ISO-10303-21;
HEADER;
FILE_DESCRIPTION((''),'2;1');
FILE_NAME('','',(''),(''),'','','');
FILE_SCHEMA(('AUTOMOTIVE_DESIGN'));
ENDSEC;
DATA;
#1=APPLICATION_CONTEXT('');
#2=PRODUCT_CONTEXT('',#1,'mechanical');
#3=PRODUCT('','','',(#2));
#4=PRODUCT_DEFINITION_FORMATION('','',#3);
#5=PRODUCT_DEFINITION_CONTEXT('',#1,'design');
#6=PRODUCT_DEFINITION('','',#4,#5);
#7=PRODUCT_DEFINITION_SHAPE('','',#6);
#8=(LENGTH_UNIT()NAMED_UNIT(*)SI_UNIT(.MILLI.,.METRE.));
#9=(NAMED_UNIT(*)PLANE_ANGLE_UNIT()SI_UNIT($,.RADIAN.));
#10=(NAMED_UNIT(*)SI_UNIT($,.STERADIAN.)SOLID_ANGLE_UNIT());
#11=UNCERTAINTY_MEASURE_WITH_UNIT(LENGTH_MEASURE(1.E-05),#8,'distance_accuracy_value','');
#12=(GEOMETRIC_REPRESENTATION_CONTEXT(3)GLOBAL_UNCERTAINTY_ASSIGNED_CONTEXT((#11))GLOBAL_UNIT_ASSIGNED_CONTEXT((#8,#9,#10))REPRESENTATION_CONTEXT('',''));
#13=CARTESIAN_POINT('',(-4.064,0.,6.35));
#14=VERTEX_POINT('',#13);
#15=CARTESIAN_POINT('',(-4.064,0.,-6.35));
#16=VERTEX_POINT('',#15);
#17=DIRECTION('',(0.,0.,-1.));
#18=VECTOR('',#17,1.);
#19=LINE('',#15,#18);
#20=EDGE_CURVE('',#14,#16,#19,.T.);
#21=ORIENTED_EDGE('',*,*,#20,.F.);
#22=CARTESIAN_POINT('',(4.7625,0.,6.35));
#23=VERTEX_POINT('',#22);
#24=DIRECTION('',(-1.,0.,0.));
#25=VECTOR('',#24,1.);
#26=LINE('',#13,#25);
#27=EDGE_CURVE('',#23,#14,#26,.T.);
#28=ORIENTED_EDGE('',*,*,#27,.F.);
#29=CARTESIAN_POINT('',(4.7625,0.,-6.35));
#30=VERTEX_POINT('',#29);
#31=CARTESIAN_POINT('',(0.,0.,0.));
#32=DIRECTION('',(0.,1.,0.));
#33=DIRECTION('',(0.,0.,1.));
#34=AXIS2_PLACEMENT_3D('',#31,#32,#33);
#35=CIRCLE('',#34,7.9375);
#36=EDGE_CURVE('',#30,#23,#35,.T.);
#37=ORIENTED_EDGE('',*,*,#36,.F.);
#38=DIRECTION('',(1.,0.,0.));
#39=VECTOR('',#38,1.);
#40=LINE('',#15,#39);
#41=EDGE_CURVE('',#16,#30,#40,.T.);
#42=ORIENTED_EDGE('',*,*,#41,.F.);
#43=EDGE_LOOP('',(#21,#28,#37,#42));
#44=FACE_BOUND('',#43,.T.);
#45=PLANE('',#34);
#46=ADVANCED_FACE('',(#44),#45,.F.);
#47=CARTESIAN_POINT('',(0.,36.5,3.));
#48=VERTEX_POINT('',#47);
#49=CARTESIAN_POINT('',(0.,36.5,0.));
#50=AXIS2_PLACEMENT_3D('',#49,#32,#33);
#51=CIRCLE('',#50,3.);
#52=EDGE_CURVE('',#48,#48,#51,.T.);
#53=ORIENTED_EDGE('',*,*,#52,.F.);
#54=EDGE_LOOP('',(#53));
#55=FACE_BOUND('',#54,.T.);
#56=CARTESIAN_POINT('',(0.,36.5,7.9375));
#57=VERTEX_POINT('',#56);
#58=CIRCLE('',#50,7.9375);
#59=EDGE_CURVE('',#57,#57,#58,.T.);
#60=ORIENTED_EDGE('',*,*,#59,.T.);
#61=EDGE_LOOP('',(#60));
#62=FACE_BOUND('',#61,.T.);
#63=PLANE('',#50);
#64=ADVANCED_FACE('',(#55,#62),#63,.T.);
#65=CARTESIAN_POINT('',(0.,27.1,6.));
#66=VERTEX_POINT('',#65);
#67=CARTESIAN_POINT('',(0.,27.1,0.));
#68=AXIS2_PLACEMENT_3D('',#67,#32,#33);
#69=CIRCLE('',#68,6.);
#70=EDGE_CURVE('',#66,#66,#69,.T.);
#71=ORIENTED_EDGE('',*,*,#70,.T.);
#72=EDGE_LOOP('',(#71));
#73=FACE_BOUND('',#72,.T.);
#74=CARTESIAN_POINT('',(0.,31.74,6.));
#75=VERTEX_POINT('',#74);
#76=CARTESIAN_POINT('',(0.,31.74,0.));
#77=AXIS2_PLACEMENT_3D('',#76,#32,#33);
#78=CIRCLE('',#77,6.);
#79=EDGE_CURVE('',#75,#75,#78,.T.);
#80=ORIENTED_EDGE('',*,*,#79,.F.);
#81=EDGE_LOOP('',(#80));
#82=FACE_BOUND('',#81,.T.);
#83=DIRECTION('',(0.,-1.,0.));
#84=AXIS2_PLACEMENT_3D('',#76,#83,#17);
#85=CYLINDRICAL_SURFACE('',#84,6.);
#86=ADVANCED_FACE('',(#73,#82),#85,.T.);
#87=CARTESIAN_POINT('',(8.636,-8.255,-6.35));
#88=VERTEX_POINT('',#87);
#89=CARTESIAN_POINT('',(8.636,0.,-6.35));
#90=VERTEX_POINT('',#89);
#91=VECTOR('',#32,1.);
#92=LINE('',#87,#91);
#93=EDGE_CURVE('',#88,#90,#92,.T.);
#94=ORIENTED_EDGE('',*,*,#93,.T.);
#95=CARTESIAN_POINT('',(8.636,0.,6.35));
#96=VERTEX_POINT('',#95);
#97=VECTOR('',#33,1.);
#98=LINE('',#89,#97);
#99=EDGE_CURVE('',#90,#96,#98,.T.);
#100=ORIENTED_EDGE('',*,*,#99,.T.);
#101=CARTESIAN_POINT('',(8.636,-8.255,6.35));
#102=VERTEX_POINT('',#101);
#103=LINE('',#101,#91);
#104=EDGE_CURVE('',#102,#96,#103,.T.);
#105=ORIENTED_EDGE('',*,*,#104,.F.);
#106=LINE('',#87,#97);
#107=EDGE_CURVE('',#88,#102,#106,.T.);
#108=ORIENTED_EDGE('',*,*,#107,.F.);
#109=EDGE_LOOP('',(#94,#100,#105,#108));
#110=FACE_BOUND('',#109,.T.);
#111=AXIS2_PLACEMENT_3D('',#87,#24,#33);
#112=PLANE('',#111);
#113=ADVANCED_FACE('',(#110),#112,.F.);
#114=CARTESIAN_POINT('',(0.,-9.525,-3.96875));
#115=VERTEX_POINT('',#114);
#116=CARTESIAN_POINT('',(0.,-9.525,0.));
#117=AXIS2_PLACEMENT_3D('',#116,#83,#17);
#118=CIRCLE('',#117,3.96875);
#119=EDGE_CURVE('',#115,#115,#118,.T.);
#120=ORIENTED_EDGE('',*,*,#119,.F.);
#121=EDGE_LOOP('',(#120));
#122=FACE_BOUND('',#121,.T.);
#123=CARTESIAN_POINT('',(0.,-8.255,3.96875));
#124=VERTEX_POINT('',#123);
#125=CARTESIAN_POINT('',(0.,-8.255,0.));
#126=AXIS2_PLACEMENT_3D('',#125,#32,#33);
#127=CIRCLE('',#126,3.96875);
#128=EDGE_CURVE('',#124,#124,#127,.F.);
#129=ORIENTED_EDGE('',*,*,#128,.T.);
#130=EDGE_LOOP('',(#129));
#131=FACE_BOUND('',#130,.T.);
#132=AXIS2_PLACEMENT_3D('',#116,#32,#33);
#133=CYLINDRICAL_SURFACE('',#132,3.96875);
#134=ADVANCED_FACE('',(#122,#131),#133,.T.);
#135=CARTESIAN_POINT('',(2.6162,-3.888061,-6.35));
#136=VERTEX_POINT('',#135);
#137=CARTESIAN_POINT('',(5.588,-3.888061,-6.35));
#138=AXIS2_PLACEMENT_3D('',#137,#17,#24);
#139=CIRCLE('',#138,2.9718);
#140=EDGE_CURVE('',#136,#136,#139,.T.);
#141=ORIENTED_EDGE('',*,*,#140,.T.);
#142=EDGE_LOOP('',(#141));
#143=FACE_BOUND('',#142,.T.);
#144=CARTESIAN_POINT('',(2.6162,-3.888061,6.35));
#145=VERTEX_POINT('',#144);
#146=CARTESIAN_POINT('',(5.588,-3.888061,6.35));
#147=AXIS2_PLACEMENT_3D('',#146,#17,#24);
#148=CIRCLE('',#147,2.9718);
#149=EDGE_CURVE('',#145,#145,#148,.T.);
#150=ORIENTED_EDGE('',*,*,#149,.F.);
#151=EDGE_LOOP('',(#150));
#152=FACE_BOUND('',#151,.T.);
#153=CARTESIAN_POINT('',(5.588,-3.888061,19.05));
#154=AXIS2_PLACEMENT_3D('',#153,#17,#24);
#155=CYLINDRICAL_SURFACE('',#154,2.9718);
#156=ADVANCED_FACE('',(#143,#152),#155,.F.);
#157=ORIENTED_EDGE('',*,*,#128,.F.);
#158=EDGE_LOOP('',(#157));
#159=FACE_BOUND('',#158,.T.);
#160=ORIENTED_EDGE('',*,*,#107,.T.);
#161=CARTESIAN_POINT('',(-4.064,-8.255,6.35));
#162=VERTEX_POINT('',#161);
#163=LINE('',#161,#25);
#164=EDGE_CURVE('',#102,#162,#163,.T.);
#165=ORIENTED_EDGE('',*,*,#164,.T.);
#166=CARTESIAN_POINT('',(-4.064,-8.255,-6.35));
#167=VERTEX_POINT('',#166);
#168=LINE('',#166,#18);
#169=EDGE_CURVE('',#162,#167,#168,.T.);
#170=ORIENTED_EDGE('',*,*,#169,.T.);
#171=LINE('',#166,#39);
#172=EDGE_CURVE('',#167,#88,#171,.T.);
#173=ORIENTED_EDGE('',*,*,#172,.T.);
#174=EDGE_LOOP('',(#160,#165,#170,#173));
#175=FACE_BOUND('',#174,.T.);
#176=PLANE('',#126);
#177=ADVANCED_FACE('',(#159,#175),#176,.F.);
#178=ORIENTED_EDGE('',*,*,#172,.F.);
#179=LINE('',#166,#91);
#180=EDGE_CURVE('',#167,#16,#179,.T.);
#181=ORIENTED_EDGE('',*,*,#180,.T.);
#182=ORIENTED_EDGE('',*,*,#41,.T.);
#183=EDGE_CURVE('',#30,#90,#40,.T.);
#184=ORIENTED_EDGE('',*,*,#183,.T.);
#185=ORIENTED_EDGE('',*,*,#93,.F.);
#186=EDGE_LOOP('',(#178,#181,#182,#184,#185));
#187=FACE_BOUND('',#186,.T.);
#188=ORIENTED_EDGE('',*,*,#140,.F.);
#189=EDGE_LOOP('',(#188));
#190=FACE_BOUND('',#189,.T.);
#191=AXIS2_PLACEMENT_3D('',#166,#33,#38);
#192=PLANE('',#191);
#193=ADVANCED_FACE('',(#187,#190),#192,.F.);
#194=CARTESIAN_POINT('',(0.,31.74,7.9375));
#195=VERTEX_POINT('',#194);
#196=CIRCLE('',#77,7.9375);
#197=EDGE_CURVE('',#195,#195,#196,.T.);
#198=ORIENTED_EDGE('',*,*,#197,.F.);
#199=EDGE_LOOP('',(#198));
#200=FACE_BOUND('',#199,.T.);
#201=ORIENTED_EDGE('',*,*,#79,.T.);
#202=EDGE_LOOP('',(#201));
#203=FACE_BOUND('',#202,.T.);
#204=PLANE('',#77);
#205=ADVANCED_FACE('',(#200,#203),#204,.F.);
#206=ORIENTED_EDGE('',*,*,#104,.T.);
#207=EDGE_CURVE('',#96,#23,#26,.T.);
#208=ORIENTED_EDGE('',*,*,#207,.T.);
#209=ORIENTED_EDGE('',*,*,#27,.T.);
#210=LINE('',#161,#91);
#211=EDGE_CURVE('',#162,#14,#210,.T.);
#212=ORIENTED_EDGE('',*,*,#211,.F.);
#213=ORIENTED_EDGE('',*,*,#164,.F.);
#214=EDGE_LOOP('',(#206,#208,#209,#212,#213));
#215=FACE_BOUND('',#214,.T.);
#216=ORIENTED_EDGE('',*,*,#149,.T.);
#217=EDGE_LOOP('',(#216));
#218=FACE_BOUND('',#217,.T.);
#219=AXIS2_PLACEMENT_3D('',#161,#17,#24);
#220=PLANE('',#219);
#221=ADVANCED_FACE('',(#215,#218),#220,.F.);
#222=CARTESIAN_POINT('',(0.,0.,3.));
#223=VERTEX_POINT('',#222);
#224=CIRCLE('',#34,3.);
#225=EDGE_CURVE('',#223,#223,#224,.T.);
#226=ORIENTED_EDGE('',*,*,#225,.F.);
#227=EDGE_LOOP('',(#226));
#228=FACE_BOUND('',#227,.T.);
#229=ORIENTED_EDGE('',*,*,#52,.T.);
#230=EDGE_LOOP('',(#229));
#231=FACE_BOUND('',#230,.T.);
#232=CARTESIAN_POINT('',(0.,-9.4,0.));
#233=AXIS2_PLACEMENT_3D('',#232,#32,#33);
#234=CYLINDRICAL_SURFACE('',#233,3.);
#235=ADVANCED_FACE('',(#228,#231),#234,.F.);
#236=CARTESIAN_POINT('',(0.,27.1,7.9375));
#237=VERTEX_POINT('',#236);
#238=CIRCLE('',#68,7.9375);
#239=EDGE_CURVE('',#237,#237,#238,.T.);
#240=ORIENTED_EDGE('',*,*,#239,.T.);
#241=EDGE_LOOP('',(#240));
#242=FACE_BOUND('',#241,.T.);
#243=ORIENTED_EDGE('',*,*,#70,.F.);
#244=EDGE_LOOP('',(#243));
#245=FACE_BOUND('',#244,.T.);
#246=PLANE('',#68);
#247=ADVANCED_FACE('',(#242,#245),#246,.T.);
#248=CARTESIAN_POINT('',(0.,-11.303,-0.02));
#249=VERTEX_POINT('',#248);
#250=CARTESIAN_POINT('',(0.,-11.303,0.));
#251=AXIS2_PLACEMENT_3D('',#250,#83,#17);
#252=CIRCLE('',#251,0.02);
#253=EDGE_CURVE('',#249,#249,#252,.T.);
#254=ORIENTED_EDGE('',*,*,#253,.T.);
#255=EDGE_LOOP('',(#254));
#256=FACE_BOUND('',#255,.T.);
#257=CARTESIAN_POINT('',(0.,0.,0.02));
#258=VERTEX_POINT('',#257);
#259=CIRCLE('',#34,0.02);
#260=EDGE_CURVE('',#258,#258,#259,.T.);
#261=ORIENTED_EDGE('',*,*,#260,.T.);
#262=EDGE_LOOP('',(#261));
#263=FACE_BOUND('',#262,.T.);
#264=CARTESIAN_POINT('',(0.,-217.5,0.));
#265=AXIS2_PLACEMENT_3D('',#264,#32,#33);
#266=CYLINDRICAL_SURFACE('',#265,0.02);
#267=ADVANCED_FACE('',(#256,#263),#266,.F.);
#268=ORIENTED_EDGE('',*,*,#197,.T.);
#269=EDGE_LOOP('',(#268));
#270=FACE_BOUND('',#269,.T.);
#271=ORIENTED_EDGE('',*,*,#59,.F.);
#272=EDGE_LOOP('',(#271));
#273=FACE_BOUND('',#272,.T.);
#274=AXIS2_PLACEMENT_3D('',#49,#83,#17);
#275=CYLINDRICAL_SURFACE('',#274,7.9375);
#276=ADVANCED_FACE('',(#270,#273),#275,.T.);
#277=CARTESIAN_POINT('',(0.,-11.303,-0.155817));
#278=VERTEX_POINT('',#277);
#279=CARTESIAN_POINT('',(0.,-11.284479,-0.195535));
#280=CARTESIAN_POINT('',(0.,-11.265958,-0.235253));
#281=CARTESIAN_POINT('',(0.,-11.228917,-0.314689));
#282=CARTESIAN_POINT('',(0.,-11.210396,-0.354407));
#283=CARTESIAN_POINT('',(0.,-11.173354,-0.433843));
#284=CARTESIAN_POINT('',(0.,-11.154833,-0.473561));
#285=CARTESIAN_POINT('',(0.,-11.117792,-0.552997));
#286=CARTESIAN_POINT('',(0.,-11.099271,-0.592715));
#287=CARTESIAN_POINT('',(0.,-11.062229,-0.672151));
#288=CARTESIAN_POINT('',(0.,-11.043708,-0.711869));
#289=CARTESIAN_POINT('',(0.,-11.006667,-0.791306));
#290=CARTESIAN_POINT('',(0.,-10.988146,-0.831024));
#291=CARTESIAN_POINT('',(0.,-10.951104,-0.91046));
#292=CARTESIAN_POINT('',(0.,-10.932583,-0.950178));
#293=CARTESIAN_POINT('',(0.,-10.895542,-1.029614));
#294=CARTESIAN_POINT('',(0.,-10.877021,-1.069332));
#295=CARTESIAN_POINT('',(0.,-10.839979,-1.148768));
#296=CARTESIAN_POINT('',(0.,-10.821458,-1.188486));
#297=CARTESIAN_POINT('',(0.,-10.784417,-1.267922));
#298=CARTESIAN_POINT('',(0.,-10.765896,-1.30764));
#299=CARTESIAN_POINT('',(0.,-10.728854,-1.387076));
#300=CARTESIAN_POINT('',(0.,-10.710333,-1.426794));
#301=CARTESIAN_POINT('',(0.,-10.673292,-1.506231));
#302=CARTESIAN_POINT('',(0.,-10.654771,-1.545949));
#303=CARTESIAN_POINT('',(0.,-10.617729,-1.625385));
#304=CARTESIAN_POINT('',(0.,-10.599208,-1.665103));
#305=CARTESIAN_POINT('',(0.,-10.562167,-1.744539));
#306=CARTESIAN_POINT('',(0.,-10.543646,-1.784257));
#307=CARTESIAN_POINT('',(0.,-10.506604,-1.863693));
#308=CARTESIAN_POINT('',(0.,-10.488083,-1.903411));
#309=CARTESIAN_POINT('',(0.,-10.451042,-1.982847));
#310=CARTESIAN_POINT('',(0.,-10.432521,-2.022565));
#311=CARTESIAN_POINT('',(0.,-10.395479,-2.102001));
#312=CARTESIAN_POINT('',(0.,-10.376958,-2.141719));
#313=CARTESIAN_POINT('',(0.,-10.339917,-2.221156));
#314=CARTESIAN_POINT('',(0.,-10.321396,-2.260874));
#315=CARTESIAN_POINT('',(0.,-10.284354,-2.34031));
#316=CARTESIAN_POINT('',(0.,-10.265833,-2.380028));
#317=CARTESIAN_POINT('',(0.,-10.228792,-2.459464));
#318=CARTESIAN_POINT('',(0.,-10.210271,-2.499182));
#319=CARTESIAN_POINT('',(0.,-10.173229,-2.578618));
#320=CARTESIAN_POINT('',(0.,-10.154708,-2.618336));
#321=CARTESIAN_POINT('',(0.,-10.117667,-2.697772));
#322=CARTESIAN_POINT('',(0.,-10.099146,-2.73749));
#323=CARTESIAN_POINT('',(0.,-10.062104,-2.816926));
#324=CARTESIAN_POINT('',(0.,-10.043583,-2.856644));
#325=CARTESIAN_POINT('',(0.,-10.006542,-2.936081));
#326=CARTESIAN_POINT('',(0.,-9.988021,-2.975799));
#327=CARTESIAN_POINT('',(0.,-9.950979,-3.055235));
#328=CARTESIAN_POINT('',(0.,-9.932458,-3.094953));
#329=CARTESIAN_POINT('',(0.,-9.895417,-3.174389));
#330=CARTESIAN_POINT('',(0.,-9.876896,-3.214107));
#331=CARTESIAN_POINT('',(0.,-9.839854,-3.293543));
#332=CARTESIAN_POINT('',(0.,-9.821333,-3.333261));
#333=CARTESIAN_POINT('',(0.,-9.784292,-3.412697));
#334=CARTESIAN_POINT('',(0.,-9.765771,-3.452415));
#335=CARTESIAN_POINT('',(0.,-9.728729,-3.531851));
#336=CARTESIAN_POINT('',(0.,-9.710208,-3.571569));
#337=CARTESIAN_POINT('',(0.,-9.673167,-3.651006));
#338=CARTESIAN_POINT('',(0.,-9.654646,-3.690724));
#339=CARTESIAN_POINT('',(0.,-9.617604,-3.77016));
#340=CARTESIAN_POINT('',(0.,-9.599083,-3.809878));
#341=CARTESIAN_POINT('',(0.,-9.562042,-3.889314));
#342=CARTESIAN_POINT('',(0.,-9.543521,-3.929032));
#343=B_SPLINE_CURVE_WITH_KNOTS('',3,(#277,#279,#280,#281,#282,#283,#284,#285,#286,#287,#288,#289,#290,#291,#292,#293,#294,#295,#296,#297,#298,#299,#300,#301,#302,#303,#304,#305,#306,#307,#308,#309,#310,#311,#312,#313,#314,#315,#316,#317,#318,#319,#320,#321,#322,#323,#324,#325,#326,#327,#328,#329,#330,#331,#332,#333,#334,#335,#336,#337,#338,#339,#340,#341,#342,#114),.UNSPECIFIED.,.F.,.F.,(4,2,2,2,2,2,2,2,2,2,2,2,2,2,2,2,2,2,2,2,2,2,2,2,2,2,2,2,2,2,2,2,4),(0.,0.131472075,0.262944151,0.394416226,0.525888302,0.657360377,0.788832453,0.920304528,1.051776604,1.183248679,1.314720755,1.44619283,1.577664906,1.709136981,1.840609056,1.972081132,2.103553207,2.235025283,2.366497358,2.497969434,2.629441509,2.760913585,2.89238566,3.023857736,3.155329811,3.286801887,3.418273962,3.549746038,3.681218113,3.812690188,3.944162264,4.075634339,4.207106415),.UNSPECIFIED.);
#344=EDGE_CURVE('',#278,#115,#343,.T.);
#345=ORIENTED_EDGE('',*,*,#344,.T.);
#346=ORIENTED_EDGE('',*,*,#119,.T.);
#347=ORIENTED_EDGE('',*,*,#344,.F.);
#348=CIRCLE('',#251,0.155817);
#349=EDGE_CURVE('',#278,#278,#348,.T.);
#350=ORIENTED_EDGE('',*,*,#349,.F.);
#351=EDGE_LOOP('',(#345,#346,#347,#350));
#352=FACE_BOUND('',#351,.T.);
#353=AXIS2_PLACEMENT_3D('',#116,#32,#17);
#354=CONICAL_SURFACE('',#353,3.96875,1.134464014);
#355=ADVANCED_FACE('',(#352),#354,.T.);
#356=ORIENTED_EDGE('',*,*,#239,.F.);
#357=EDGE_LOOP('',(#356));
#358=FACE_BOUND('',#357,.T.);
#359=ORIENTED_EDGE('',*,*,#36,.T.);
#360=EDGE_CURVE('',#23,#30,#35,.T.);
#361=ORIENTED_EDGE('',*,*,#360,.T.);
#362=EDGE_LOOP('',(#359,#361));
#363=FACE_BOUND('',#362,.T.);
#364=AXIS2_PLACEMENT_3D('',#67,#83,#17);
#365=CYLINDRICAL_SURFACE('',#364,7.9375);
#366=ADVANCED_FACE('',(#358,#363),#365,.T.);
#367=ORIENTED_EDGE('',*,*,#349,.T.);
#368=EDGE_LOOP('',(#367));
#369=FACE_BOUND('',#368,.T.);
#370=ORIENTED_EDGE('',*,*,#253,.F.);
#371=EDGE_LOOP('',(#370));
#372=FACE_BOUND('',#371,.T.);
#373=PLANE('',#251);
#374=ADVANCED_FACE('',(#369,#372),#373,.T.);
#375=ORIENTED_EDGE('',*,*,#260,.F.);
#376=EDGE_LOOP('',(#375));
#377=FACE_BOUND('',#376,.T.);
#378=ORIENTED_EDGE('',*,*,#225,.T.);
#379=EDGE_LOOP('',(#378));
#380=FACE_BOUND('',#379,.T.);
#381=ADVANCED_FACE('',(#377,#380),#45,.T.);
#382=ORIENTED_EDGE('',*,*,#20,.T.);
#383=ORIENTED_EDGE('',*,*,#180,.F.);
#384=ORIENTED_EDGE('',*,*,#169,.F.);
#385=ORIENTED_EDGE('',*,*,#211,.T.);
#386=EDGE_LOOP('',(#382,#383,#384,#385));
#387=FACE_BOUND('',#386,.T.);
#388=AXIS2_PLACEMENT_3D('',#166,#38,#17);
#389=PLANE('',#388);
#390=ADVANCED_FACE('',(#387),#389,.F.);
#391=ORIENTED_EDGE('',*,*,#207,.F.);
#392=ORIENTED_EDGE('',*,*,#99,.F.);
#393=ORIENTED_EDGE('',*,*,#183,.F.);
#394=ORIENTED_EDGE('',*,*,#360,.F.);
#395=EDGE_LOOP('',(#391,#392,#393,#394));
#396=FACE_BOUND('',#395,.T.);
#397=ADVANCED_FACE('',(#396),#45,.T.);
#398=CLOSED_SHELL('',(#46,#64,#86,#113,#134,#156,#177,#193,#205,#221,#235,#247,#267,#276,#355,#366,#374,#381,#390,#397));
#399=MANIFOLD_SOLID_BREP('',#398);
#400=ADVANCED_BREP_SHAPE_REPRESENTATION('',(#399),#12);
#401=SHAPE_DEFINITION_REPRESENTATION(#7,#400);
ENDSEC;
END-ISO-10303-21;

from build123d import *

# Parameters (mm, degrees)
SKETCH1_R           = 7.9375
BOSS_EXTRUDE1_DEPTH = 27.10000002
SKETCH2_R           = 3
CUT_EXTRUDE1_DEPTH  = 36.5
SKETCH3_R           = 6
BOSS_EXTRUDE2_DEPTH = 4.64
SKETCH4_R           = 7.9375
BOSS_EXTRUDE3_DEPTH = 4.76
CUT_EXTRUDE2_START  = -81.214
SKETCH5_R           = 3
CUT_EXTRUDE2_DEPTH  = 81.214
SKETCH8_W           = 12.7
SKETCH8_H           = 12.7
BOSS_EXTRUDE5_DEPTH = 8.255
SKETCH11_R          = 3.96875
BOSS_EXTRUDE7_DEPTH = 1.27
SKETCH12_R          = 3.96875
BOSS_EXTRUDE8_DEPTH = 1.778
BOSS_EXTRUDE8_TAPER = 65
SKETCH13_R          = 2.9718
CUT_EXTRUDE9_DEPTH  = 25.4
SKETCH14_R          = 0.02
CUT_EXTRUDE10_DEPTH = 254


with BuildPart() as part:
    # Sketch1 → Boss-Extrude1 (new body)
    with BuildSketch(Plane(origin=(0, 0, 0), x_dir=(1, 0, 0), z_dir=(0, 1, 0))):
        with Locations(Location((0, 0, 0), (0, 0, 270))):
            Circle(SKETCH1_R)
    extrude(amount=BOSS_EXTRUDE1_DEPTH)

    # Sketch2 → Cut-Extrude1 (cut)
    with BuildSketch(Plane(origin=(0, 27.10000002, 0), x_dir=(1, 0, 0), z_dir=(0, 1, 0))):
        with Locations(Location((0, 0, 0), (0, 0, 270))):
            Circle(SKETCH2_R)
    extrude(amount=-CUT_EXTRUDE1_DEPTH, mode=Mode.SUBTRACT)

    # Sketch3 → Boss-Extrude2 (add)
    with BuildSketch(Plane(origin=(0, 27.10000002, 0), x_dir=(1, 0, 0), z_dir=(0, 1, 0))):
        with Locations(Location((0, 0, 0), (0, 0, 270))):
            Circle(SKETCH3_R)
    extrude(amount=BOSS_EXTRUDE2_DEPTH)

    # Sketch4 → Boss-Extrude3 (add)
    with BuildSketch(Plane(origin=(0, 31.74000002, 0), x_dir=(1, 0, 0), z_dir=(0, 1, 0))):
        with Locations(Location((0, 0, 0), (0, 0, 270))):
            Circle(SKETCH4_R)
    extrude(amount=BOSS_EXTRUDE3_DEPTH)

    # Sketch5 → Cut-Extrude2 (cut)
    with BuildSketch(Plane.XZ.offset(CUT_EXTRUDE2_START)):
        with Locations(Location((0, 0, 0), (0, 0, 90))):
            Circle(SKETCH5_R)
    extrude(amount=CUT_EXTRUDE2_DEPTH, mode=Mode.SUBTRACT)

    # Sketch8 → Boss-Extrude5 (add)
    with BuildSketch(Plane.XZ):
        with Locations((2.286, 0)):
            Rectangle(SKETCH8_W, SKETCH8_H)
    extrude(amount=BOSS_EXTRUDE5_DEPTH)

    # Sketch11 → Boss-Extrude7 (add)
    with BuildSketch(Plane.XZ.offset(8.255)):
        with Locations(Location((0, 0, 0), (0, 0, 90))):
            Circle(SKETCH11_R)
    extrude(amount=BOSS_EXTRUDE7_DEPTH)

    # Sketch12 → Boss-Extrude8 (add)
    with BuildSketch(Plane(origin=(0, -9.525, 0), x_dir=(-1, 0, 0), z_dir=(0, -1, 0))):
        with Locations(Location((0, 0, 0), (0, 0, 270))):
            Circle(SKETCH12_R)
    extrude(amount=BOSS_EXTRUDE8_DEPTH, taper=BOSS_EXTRUDE8_TAPER)

    # Sketch13 → Cut-Extrude9 (cut)
    with BuildSketch(Plane(origin=(0, 0, -6.35), x_dir=(-1, 0, 0), z_dir=(0, 0, -1))):
        with Locations((-5.588, -3.888060816)):
            Circle(SKETCH13_R)
    extrude(amount=-CUT_EXTRUDE9_DEPTH, mode=Mode.SUBTRACT)

    # Sketch14 → Cut-Extrude10 (cut)
    with BuildSketch(Plane(origin=(0, 36.50000002, 0), x_dir=(1, 0, 0), z_dir=(0, 1, 0))):
        with Locations(Location((0, 0, 0), (0, 0, 270))):
            Circle(SKETCH14_R)
    extrude(amount=-CUT_EXTRUDE10_DEPTH, mode=Mode.SUBTRACT)


solid = part.part
